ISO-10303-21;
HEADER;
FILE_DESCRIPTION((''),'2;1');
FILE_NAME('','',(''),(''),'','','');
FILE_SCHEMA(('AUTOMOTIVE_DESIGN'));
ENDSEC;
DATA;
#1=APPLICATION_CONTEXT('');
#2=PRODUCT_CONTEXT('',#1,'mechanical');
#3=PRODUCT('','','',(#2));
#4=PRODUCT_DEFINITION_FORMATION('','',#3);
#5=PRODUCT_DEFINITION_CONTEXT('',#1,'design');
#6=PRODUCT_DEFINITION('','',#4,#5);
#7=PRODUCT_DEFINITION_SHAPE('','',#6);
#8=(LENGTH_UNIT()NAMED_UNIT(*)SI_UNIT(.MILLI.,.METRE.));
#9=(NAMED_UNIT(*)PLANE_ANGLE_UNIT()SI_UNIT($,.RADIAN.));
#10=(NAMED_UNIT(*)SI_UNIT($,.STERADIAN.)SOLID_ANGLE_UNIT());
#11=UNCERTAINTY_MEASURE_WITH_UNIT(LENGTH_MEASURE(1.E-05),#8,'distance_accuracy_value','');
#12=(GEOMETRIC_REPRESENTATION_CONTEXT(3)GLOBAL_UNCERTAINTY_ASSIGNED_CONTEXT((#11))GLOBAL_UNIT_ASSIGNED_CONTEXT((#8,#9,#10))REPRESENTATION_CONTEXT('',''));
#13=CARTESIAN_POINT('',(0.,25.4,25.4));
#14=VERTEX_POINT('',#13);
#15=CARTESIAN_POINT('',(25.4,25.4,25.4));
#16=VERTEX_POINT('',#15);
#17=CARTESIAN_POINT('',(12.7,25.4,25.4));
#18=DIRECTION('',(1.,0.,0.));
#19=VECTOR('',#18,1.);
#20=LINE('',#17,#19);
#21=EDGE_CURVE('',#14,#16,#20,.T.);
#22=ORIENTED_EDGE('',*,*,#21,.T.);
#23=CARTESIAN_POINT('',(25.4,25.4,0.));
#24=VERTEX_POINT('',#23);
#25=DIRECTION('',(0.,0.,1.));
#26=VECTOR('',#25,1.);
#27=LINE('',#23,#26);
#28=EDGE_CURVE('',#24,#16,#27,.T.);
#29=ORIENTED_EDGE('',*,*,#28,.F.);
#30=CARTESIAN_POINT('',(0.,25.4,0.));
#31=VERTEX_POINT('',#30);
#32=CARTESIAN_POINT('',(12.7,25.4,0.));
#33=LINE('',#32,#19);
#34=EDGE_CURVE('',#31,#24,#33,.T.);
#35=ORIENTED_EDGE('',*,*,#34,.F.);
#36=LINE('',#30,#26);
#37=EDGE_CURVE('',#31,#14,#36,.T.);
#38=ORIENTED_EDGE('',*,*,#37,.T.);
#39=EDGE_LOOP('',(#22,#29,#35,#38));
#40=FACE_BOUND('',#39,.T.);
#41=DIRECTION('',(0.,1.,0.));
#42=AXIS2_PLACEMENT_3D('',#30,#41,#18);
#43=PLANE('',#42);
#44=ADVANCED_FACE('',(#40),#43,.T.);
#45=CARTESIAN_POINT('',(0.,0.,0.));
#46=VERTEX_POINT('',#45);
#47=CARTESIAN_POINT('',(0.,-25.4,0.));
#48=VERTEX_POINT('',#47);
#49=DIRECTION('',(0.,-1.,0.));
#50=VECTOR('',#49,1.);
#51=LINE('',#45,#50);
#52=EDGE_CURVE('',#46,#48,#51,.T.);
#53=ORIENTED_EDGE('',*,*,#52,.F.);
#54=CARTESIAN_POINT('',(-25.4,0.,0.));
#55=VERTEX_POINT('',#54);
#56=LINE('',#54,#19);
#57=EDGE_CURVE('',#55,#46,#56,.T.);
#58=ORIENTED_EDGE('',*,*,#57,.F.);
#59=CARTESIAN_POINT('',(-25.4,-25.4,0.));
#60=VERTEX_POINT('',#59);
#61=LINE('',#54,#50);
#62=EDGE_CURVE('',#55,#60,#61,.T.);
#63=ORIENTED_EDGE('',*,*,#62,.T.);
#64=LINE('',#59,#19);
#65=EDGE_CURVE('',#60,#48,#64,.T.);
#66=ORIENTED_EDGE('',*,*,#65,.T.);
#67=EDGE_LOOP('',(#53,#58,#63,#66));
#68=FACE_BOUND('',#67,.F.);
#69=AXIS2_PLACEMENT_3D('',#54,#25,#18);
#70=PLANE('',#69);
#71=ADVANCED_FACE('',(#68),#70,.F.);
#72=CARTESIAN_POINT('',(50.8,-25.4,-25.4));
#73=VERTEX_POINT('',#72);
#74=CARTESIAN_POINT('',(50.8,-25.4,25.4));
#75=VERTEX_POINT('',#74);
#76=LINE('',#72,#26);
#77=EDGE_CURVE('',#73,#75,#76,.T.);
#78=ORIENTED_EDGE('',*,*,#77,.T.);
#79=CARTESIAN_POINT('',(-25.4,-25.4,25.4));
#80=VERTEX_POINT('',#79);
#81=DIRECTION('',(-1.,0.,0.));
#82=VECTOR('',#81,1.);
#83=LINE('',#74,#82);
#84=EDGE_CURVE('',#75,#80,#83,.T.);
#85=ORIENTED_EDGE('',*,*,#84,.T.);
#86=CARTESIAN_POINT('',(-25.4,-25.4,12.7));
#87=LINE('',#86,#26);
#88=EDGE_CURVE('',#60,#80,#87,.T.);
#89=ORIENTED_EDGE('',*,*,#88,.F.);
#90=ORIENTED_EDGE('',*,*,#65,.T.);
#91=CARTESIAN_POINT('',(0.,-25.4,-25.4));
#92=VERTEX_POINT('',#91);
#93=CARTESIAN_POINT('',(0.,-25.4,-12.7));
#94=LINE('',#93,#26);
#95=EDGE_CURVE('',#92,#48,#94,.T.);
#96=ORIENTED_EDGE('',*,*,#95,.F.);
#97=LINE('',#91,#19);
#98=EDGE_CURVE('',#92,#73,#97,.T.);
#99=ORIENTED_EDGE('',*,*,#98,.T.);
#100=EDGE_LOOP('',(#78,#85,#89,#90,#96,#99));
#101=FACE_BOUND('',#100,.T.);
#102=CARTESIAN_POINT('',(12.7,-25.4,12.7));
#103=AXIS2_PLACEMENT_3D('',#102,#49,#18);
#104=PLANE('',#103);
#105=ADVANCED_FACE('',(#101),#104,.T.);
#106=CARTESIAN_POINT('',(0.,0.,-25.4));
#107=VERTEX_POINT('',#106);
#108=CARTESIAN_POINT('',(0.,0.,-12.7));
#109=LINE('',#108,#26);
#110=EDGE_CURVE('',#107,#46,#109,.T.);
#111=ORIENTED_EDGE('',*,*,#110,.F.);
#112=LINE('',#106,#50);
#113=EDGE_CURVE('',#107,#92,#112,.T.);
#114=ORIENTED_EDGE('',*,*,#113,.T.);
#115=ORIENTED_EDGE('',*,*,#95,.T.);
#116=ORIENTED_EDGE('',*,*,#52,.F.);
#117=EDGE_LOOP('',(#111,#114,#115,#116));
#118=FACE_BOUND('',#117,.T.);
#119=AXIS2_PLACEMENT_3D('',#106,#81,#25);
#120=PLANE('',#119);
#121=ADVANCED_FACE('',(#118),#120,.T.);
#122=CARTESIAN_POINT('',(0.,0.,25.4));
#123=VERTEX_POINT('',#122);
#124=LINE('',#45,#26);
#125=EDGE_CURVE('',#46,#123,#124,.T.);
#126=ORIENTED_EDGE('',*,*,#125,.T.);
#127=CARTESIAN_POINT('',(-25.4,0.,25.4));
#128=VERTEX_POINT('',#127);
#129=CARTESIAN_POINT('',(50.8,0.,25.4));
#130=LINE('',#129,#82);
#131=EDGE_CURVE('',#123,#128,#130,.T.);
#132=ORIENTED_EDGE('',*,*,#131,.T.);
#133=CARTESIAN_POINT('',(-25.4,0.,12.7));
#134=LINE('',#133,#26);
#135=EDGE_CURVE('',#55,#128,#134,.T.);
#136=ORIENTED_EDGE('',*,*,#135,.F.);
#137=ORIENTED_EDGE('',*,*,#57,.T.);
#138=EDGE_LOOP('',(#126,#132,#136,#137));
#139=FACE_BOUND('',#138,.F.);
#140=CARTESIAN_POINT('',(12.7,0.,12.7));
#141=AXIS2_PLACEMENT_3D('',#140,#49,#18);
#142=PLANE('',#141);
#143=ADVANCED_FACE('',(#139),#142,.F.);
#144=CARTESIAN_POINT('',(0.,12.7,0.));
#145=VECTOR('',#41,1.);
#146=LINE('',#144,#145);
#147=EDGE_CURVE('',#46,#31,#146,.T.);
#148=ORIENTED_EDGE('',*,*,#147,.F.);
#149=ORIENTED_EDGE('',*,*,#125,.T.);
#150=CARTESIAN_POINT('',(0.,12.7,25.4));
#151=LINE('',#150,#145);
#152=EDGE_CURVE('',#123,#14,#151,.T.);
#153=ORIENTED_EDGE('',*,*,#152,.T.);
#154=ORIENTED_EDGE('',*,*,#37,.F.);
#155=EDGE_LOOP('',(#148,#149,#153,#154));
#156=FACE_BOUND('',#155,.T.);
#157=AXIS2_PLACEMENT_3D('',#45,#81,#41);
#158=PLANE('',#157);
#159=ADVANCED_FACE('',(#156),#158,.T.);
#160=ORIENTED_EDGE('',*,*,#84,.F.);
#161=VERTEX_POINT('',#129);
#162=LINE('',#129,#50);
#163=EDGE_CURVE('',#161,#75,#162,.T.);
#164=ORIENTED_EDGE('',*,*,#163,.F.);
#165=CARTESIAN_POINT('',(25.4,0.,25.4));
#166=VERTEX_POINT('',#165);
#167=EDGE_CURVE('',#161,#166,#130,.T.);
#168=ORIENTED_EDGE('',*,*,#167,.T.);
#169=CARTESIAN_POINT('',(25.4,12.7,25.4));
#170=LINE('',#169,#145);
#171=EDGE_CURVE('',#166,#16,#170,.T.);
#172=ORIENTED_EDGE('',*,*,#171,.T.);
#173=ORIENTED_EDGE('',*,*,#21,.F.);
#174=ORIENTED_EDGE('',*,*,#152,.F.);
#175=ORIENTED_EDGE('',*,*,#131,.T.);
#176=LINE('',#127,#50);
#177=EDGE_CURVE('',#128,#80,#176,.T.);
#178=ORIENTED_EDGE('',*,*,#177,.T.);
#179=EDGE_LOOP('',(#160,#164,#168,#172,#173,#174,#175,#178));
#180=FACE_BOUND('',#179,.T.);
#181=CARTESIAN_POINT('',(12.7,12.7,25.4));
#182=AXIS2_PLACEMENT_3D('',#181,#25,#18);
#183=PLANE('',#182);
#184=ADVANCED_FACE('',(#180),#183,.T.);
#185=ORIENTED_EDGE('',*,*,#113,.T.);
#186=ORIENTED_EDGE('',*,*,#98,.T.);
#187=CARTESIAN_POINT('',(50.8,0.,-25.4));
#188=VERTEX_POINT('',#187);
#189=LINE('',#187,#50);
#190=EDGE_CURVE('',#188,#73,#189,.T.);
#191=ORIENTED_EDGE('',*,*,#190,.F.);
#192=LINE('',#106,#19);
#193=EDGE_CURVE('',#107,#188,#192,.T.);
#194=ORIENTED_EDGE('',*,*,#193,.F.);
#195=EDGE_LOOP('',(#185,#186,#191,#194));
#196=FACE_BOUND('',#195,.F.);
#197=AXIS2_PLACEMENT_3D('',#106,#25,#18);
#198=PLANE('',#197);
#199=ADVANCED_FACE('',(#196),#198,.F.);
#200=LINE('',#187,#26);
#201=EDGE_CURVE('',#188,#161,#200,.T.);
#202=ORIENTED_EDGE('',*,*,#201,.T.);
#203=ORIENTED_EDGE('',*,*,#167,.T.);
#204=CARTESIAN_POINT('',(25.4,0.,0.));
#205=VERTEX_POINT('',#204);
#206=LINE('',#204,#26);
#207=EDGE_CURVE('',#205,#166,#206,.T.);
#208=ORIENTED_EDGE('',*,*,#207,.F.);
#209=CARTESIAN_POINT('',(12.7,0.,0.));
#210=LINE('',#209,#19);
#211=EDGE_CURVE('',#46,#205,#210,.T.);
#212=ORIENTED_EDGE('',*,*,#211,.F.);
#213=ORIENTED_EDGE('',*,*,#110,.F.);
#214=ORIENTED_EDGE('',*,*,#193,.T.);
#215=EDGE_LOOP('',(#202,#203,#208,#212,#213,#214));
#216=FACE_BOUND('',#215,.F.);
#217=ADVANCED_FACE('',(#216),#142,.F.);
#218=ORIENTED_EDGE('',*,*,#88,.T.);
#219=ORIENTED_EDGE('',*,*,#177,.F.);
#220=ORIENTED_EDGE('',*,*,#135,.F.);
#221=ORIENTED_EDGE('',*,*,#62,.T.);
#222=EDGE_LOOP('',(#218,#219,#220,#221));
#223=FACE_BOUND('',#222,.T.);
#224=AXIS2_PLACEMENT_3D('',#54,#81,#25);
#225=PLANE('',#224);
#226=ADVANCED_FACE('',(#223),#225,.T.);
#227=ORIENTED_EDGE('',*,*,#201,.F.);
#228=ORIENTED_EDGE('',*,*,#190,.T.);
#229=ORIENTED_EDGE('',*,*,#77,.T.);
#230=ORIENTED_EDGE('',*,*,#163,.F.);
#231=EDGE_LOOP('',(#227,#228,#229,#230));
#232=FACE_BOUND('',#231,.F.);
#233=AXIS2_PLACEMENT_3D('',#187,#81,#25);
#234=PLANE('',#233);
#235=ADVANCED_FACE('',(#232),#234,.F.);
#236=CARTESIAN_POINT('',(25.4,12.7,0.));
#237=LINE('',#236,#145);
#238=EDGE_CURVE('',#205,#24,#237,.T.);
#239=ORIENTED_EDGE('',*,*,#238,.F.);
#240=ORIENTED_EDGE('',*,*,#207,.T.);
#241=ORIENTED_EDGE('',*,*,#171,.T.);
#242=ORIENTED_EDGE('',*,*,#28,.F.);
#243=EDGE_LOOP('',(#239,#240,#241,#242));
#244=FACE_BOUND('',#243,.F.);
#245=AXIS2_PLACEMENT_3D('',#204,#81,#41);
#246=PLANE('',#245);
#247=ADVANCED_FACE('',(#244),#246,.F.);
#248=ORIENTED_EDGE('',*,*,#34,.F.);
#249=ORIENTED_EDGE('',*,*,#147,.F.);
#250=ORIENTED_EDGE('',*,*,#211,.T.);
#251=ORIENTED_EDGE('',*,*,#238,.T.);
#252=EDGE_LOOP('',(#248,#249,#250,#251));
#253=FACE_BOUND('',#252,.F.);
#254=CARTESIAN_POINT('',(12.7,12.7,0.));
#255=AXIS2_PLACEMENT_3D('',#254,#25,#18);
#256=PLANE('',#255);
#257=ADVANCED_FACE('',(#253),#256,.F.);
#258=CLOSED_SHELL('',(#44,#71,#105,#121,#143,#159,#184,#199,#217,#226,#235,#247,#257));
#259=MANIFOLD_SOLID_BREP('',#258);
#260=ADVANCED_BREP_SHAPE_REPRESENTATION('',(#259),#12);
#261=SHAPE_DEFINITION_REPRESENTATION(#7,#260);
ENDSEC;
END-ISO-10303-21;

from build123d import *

# Parameters (mm, degrees)
F0_W     = 25.4
F0_H     = 25.4
F1_DEPTH = 25.4
F2_W     = 25.4
F2_H     = 25.4
F3_DEPTH = 25.4


with BuildPart() as f1:
    # F0 (on Front) → F1 (new body)
    with BuildSketch(Plane.XZ):
        with Locations((12.7, 12.7)):
            Rectangle(F0_W, F0_H)
        with Locations((-12.7, 12.7)):
            Rectangle(F0_W, F0_H)
        with Locations((12.7, -12.7)):
            Rectangle(F0_W, F0_H)
        with Locations((38.1, 12.7)):
            Rectangle(F0_W, F0_H)
        with Locations((38.1, -12.7)):
            Rectangle(F0_W, F0_H)
    extrude(amount=F1_DEPTH)

    # F2 (on Top) → F3 (join)
    with BuildSketch(Plane.XY):
        with Locations((12.7, 12.7)):
            Rectangle(F2_W, F2_H)
    extrude(amount=F3_DEPTH)


solid = f1.part
